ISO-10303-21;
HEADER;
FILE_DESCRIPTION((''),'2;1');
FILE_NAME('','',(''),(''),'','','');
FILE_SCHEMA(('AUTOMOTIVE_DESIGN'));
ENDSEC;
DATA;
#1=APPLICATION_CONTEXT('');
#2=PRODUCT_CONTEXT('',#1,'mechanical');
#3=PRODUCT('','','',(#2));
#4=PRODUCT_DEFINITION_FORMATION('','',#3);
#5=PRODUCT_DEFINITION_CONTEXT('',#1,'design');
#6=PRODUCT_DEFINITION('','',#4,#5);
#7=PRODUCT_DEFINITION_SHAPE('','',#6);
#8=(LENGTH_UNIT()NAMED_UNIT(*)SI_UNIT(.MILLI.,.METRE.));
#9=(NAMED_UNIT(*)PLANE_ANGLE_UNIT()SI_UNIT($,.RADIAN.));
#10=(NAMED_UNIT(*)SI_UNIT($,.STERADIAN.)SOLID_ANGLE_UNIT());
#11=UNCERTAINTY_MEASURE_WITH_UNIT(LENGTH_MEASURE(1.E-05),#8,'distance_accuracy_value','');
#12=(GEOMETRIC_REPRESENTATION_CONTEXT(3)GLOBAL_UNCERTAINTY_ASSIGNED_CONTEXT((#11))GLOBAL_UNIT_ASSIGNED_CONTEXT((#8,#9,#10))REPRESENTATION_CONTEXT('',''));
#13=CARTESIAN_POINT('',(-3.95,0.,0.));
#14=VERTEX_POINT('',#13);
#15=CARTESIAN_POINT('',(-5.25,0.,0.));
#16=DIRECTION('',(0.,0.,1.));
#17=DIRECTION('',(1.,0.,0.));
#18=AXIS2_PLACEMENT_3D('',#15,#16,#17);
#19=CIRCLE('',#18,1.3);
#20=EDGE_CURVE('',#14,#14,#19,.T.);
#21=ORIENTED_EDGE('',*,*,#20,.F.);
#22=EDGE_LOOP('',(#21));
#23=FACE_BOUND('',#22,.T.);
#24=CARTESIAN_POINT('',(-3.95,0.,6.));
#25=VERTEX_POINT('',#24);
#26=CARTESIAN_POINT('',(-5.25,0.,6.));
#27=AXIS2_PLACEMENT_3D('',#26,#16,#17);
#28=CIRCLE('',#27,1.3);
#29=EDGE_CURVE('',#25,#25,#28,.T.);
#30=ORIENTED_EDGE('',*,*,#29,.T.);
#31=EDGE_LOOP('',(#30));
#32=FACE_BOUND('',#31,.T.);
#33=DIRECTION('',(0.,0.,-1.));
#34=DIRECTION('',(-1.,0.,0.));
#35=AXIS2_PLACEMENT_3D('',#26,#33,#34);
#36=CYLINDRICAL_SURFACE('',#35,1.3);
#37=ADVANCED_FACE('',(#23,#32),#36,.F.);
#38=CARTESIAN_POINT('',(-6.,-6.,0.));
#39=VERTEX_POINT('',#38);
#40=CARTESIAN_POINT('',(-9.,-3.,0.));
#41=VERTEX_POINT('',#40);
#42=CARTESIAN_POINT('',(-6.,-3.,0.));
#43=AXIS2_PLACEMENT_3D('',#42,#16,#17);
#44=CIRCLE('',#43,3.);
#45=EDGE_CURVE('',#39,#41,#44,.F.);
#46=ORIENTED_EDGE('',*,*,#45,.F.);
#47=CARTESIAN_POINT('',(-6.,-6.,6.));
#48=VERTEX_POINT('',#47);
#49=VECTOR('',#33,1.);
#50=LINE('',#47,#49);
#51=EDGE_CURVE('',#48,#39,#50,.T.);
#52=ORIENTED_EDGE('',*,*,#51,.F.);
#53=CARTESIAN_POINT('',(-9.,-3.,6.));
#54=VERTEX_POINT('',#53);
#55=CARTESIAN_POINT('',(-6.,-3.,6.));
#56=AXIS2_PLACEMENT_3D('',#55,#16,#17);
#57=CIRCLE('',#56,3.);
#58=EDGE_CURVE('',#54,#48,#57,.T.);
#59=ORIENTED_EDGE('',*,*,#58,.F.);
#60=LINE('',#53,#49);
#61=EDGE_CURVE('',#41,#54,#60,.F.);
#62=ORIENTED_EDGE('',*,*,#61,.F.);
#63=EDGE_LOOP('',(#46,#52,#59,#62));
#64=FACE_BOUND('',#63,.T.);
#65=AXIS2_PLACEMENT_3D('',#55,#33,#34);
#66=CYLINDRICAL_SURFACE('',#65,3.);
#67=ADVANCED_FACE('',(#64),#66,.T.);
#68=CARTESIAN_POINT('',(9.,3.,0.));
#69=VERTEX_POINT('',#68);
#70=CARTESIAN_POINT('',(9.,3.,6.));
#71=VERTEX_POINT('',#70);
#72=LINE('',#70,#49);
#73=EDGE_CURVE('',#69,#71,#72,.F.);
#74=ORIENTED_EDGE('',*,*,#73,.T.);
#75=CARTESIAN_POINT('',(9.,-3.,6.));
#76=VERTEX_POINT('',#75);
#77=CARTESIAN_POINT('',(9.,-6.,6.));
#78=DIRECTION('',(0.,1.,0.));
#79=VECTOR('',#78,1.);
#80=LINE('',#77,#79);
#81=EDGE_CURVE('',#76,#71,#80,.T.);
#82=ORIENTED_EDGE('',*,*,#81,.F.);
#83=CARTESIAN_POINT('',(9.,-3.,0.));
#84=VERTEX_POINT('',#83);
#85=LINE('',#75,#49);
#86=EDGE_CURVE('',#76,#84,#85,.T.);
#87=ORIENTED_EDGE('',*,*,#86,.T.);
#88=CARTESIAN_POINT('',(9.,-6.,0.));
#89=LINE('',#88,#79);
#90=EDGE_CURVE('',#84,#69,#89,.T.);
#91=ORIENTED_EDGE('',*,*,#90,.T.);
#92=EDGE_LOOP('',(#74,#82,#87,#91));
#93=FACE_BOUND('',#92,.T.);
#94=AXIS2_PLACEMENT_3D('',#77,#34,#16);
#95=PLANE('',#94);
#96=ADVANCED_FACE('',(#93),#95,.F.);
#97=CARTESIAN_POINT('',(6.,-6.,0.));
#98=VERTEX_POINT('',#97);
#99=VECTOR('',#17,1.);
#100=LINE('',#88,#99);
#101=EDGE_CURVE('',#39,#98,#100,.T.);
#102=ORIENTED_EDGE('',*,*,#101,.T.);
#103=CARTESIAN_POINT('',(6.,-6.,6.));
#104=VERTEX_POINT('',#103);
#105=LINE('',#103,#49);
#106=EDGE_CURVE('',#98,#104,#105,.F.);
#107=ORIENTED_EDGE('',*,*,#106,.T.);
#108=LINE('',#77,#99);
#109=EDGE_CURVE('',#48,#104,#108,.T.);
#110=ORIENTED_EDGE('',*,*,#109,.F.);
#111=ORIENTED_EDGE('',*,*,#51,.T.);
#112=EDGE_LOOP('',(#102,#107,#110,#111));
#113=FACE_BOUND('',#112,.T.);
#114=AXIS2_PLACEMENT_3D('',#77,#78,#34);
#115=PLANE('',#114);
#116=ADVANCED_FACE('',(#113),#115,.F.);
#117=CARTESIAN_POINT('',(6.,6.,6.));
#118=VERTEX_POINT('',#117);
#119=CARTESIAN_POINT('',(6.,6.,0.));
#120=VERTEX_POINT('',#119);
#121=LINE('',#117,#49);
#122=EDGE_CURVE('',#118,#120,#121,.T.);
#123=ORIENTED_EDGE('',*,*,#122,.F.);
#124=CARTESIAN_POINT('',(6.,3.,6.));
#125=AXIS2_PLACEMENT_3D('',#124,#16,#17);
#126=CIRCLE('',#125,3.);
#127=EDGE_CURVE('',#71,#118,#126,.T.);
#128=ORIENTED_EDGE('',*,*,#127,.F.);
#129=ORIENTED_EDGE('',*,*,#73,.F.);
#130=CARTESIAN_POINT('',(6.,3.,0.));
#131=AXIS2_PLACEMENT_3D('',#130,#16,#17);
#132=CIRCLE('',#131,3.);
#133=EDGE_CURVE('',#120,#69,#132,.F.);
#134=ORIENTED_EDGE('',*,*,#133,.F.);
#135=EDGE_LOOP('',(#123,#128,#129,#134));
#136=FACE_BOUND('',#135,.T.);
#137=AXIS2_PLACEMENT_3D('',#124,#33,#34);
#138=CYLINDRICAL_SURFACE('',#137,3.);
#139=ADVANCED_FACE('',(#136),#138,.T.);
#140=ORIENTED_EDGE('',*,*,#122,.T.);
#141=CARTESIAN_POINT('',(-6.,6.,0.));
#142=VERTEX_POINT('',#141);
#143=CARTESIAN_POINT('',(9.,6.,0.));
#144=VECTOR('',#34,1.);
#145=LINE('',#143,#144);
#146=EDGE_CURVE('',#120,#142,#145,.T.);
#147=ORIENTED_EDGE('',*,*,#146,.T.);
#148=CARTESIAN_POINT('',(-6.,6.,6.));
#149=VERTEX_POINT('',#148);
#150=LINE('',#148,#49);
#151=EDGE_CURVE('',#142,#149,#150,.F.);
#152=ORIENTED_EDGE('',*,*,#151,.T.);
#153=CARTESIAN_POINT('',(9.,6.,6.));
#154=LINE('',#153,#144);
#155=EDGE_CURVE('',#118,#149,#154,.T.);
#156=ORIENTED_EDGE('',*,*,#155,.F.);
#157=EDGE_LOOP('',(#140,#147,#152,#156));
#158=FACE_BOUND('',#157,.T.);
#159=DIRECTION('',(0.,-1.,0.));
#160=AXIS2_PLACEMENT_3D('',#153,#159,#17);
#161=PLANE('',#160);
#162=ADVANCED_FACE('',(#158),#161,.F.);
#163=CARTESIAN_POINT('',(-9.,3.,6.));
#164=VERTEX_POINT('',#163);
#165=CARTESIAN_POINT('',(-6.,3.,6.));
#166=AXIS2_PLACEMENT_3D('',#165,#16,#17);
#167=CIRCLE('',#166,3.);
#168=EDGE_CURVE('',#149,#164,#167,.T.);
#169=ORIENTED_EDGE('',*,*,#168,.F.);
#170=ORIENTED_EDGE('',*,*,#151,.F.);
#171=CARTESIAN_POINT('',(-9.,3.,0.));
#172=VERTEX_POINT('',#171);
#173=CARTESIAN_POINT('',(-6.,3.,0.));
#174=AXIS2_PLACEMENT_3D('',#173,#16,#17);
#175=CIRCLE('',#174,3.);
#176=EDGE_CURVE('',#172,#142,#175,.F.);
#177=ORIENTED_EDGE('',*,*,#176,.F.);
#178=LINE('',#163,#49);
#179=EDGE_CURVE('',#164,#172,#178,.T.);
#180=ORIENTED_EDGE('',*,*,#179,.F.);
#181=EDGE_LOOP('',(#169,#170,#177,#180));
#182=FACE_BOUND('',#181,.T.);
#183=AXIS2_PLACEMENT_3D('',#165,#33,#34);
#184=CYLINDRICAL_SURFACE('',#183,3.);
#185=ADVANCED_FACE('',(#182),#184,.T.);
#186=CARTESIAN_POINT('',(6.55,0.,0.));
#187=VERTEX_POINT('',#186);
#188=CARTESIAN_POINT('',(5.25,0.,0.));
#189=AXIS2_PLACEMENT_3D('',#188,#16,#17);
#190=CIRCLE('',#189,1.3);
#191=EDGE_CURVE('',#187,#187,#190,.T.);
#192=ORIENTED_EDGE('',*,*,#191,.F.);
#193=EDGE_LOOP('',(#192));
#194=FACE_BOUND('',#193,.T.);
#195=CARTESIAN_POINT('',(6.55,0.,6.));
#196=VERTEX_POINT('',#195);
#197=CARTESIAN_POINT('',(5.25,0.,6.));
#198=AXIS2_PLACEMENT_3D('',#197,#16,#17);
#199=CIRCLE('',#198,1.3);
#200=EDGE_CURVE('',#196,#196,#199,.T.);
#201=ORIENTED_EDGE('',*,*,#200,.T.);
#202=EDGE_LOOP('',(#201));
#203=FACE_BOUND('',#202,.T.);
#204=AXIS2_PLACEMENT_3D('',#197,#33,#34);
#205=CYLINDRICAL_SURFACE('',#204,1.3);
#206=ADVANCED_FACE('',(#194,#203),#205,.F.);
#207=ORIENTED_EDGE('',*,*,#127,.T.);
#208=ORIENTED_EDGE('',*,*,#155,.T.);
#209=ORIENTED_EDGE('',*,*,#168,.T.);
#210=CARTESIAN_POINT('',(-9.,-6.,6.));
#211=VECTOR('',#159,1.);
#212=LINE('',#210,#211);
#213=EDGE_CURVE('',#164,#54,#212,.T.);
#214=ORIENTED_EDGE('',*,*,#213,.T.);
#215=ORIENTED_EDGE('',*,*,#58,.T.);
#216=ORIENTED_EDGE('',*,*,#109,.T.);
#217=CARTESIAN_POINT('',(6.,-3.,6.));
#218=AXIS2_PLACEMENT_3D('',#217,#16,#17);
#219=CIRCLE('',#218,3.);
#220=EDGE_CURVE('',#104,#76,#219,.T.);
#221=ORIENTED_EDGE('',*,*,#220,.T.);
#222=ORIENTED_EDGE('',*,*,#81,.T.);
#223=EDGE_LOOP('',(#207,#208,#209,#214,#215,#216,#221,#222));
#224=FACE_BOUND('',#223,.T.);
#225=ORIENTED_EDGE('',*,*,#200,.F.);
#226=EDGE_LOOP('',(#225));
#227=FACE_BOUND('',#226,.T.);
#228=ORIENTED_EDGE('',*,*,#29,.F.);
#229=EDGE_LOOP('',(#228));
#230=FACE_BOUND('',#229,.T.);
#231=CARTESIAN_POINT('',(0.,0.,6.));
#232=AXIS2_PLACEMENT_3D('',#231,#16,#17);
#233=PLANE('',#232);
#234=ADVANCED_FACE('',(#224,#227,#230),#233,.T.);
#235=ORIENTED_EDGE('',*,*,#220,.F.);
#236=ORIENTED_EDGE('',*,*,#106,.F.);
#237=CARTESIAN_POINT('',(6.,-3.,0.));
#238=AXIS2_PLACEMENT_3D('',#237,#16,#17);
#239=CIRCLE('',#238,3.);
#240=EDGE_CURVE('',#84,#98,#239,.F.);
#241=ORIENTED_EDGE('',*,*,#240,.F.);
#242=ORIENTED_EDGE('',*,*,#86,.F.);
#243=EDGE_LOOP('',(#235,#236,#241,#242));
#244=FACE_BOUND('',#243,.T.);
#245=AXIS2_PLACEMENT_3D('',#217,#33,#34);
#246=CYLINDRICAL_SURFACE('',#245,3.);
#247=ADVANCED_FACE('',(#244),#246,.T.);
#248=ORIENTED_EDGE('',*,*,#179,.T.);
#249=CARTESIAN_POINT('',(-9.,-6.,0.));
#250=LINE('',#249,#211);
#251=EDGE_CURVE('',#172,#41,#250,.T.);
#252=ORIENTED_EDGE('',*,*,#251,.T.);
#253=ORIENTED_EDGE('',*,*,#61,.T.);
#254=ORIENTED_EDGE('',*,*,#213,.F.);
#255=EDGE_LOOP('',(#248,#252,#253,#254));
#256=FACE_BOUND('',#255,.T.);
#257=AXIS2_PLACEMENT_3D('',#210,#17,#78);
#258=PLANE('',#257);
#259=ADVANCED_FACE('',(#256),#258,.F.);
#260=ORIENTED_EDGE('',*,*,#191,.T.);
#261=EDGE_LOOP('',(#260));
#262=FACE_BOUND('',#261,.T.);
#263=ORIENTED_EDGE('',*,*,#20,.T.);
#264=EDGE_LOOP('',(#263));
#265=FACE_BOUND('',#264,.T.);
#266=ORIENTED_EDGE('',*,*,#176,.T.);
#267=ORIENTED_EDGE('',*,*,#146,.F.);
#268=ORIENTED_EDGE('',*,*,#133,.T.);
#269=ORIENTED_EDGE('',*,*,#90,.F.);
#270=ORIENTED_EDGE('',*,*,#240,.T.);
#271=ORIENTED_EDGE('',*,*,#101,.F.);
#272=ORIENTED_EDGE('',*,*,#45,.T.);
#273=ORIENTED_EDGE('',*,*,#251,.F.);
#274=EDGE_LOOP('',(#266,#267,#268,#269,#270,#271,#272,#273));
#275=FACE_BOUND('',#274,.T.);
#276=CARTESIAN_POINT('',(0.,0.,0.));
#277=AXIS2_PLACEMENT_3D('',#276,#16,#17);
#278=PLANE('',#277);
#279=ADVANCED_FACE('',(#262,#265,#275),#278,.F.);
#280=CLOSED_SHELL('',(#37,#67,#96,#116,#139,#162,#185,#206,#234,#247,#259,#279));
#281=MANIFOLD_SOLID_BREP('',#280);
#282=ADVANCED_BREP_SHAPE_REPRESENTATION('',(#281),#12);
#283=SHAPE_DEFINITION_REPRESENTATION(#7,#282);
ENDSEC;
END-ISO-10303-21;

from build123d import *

# Parameters (mm, degrees)
CROQUIS2_W              = 18
CROQUIS2_H              = 12
CROQUIS2_R              = 1.3
SALIENTE_EXTRUIR1_DEPTH = 6
REDONDEO1_R             = 3


with BuildPart() as part:
    # Croquis2 → Saliente-Extruir1 (new body)
    with BuildSketch(Plane.XY):
        Rectangle(CROQUIS2_W, CROQUIS2_H)
        with Locations((-5.25, 0)):
            Circle(CROQUIS2_R, mode=Mode.SUBTRACT)
        with Locations((5.25, 0)):
            Circle(CROQUIS2_R, mode=Mode.SUBTRACT)
    extrude(amount=SALIENTE_EXTRUIR1_DEPTH)

    # Redondeo1
    redondeo1_edges = [part.edges().sort_by_distance(p)[0] for p in [
        (-9, 6, 3),
        (9, 6, 3),
        (9, -6, 3),
        (-9, -6, 3),
    ]]
    fillet(redondeo1_edges, radius=REDONDEO1_R)


solid = part.part
